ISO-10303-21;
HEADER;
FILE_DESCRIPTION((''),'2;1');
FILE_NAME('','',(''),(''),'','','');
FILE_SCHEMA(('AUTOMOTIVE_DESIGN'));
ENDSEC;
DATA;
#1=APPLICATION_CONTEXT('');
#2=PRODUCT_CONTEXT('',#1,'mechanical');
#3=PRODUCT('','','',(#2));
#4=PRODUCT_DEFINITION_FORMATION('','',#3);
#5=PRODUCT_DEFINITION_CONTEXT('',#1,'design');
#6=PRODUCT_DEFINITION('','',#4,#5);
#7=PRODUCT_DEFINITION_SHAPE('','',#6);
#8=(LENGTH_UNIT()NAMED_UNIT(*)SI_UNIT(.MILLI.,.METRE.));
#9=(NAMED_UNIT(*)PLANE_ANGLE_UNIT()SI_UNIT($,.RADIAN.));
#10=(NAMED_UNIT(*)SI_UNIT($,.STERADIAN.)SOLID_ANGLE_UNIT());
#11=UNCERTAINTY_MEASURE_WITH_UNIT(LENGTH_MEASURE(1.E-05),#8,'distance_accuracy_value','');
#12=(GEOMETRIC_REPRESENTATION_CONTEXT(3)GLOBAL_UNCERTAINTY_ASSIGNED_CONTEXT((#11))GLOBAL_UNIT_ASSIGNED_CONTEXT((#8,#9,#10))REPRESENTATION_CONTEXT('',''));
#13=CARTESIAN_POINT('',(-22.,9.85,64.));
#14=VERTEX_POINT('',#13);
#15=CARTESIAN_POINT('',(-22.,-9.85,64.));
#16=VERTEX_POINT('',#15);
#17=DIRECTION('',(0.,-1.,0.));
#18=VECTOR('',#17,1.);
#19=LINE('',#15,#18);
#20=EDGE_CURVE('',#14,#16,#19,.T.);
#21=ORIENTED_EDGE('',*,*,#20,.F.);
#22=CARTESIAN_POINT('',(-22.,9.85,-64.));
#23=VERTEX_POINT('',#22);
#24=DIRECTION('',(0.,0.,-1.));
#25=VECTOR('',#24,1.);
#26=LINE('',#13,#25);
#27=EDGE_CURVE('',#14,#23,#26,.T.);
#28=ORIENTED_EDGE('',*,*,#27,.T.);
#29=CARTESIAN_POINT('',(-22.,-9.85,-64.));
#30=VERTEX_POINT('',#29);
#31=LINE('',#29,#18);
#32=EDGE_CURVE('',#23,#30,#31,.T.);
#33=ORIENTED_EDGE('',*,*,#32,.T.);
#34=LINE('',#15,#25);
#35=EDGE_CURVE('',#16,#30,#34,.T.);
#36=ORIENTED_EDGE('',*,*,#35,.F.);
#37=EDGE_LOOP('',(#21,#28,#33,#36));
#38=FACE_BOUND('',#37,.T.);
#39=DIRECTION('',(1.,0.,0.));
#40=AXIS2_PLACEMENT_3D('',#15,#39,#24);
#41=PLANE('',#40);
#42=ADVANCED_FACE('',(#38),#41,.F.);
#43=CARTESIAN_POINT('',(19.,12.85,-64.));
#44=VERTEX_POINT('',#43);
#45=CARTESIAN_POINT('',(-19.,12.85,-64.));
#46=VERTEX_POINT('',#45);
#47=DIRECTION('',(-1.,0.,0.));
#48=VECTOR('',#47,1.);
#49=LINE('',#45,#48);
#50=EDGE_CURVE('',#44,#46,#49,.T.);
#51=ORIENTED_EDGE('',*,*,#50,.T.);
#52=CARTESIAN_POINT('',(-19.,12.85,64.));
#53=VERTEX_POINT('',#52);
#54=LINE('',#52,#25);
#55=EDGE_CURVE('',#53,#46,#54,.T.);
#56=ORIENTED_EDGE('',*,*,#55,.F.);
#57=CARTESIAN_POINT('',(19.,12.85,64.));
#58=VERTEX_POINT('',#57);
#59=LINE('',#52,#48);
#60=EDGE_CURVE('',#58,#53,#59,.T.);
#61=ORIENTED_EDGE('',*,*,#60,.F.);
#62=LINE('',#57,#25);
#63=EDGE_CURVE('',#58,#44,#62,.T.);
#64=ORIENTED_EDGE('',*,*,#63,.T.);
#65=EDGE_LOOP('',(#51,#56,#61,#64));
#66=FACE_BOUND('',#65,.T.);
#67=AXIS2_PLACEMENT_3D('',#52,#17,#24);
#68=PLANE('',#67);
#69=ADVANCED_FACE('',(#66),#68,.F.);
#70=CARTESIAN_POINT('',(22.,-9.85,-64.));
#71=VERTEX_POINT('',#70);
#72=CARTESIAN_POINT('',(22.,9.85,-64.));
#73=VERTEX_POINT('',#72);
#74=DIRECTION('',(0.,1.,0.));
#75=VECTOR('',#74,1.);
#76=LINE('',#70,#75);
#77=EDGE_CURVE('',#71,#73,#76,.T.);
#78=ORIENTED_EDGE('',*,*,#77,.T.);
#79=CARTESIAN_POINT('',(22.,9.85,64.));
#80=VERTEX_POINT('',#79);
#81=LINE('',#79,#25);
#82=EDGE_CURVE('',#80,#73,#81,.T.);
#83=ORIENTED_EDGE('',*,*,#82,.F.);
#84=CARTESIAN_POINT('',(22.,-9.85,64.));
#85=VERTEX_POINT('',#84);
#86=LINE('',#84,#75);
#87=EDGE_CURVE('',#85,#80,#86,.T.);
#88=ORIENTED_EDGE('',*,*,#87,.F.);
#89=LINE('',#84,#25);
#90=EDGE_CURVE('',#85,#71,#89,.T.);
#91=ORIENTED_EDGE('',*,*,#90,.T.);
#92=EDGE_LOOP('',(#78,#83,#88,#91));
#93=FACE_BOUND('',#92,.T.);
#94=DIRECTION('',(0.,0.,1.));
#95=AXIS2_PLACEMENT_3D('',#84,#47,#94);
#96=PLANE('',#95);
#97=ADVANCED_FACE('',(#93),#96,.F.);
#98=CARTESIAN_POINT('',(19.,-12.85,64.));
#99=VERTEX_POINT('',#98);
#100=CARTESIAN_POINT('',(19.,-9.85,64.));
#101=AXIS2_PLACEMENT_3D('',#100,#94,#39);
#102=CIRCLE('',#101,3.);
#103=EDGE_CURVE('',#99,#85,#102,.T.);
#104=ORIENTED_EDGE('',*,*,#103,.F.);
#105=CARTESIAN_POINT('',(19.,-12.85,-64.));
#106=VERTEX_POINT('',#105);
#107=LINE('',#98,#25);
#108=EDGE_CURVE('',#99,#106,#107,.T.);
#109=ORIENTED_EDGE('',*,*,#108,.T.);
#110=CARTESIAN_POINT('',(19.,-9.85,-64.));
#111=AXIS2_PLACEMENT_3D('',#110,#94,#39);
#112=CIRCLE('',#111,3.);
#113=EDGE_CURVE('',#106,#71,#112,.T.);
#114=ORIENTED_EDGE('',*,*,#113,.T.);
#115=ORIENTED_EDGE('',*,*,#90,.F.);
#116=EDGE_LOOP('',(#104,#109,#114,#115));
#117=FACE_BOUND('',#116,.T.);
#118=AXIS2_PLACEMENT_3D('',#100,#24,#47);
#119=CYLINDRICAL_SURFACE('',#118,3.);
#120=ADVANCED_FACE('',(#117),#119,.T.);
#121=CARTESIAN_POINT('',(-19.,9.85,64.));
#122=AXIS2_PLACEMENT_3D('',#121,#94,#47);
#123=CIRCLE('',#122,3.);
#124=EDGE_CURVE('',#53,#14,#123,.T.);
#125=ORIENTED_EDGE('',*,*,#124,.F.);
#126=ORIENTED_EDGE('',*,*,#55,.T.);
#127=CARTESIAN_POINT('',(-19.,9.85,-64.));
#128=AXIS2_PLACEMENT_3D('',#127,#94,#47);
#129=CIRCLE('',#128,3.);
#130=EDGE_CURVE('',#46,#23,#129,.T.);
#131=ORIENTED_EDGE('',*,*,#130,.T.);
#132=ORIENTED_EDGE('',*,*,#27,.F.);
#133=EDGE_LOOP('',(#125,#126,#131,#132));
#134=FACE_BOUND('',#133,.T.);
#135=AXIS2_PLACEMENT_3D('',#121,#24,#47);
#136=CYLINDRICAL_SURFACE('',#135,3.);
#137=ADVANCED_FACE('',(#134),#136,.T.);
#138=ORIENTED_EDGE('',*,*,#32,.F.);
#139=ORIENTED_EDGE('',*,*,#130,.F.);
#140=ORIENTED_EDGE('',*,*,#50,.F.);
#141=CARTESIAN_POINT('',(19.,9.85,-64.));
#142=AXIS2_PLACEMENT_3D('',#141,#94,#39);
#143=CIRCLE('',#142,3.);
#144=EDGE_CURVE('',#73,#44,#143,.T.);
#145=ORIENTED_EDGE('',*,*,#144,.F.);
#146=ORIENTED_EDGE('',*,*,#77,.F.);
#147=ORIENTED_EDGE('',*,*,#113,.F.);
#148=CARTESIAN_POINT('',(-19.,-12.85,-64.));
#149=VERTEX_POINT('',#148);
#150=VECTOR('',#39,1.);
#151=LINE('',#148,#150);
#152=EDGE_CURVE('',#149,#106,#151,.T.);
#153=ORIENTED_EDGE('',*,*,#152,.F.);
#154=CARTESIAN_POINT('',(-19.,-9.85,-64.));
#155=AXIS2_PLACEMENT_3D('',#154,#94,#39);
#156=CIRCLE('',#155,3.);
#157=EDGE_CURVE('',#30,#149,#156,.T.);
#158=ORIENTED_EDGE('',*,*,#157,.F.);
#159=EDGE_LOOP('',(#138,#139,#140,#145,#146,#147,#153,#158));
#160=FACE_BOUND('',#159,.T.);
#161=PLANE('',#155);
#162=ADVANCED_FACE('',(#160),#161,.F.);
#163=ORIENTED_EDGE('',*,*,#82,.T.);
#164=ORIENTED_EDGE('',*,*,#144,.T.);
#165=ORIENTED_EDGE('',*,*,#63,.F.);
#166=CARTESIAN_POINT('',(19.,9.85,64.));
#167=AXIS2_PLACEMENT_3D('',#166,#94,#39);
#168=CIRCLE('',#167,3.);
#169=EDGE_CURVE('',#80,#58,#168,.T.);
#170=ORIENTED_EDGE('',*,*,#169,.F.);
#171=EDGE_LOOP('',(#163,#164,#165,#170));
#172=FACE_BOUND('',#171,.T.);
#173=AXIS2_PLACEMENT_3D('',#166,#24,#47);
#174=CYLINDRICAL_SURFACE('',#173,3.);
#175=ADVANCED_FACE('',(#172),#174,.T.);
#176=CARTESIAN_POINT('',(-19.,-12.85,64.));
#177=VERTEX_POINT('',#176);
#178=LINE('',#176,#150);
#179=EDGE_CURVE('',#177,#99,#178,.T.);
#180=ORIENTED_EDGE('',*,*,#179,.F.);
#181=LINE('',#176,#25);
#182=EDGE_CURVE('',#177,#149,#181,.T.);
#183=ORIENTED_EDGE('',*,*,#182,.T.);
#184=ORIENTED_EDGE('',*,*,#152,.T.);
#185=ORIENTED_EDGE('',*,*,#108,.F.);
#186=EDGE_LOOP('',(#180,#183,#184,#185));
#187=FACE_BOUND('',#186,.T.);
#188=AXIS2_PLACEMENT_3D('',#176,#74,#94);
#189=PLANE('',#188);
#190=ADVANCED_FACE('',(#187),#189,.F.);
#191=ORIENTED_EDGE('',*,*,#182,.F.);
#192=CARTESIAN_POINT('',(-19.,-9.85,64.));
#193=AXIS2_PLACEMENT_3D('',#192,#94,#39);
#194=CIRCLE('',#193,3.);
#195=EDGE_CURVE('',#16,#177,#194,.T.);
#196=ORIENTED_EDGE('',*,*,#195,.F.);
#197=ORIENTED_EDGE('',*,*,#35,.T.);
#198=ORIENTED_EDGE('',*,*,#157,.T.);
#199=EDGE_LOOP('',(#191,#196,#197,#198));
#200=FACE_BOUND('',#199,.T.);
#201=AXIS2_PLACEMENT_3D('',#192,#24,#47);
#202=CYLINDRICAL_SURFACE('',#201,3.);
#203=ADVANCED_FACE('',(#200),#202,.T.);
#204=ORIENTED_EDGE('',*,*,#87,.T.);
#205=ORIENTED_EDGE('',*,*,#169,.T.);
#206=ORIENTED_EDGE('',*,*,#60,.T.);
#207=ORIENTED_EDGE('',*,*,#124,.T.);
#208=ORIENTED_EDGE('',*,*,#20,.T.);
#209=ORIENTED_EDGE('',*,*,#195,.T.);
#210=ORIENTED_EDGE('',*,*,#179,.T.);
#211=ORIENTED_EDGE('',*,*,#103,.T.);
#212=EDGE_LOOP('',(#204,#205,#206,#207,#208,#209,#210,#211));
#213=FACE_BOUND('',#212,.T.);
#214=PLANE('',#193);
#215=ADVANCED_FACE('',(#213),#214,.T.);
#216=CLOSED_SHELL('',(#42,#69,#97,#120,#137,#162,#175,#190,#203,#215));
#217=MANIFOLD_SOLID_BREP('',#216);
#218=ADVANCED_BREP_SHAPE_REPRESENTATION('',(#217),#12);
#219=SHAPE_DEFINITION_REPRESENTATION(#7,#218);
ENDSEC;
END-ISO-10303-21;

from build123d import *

# Parameters (mm, degrees)
BOSS_EXTRUDE1_DEPTH = 64


with BuildPart() as part:
    # Sketch2 → Boss-Extrude1 (new, symmetric)
    with BuildSketch(Plane.XY):
        with BuildLine():
            Line((-19, -12.85), (19, -12.85))
            ThreePointArc((19, -12.85), (21.121320344, -11.971320344), (22, -9.85))
            Line((22, -9.85), (22, 9.85))
            ThreePointArc((22, 9.85), (21.121320344, 11.971320344), (19, 12.85))
            Line((19, 12.85), (-19, 12.85))
            ThreePointArc((-19, 12.85), (-21.121320344, 11.971320344), (-22, 9.85))
            Line((-22, 9.85), (-22, -9.85))
            ThreePointArc((-22, -9.85), (-21.121320344, -11.971320344), (-19, -12.85))
        make_face()
    extrude(amount=BOSS_EXTRUDE1_DEPTH, both=True)


solid = part.part
